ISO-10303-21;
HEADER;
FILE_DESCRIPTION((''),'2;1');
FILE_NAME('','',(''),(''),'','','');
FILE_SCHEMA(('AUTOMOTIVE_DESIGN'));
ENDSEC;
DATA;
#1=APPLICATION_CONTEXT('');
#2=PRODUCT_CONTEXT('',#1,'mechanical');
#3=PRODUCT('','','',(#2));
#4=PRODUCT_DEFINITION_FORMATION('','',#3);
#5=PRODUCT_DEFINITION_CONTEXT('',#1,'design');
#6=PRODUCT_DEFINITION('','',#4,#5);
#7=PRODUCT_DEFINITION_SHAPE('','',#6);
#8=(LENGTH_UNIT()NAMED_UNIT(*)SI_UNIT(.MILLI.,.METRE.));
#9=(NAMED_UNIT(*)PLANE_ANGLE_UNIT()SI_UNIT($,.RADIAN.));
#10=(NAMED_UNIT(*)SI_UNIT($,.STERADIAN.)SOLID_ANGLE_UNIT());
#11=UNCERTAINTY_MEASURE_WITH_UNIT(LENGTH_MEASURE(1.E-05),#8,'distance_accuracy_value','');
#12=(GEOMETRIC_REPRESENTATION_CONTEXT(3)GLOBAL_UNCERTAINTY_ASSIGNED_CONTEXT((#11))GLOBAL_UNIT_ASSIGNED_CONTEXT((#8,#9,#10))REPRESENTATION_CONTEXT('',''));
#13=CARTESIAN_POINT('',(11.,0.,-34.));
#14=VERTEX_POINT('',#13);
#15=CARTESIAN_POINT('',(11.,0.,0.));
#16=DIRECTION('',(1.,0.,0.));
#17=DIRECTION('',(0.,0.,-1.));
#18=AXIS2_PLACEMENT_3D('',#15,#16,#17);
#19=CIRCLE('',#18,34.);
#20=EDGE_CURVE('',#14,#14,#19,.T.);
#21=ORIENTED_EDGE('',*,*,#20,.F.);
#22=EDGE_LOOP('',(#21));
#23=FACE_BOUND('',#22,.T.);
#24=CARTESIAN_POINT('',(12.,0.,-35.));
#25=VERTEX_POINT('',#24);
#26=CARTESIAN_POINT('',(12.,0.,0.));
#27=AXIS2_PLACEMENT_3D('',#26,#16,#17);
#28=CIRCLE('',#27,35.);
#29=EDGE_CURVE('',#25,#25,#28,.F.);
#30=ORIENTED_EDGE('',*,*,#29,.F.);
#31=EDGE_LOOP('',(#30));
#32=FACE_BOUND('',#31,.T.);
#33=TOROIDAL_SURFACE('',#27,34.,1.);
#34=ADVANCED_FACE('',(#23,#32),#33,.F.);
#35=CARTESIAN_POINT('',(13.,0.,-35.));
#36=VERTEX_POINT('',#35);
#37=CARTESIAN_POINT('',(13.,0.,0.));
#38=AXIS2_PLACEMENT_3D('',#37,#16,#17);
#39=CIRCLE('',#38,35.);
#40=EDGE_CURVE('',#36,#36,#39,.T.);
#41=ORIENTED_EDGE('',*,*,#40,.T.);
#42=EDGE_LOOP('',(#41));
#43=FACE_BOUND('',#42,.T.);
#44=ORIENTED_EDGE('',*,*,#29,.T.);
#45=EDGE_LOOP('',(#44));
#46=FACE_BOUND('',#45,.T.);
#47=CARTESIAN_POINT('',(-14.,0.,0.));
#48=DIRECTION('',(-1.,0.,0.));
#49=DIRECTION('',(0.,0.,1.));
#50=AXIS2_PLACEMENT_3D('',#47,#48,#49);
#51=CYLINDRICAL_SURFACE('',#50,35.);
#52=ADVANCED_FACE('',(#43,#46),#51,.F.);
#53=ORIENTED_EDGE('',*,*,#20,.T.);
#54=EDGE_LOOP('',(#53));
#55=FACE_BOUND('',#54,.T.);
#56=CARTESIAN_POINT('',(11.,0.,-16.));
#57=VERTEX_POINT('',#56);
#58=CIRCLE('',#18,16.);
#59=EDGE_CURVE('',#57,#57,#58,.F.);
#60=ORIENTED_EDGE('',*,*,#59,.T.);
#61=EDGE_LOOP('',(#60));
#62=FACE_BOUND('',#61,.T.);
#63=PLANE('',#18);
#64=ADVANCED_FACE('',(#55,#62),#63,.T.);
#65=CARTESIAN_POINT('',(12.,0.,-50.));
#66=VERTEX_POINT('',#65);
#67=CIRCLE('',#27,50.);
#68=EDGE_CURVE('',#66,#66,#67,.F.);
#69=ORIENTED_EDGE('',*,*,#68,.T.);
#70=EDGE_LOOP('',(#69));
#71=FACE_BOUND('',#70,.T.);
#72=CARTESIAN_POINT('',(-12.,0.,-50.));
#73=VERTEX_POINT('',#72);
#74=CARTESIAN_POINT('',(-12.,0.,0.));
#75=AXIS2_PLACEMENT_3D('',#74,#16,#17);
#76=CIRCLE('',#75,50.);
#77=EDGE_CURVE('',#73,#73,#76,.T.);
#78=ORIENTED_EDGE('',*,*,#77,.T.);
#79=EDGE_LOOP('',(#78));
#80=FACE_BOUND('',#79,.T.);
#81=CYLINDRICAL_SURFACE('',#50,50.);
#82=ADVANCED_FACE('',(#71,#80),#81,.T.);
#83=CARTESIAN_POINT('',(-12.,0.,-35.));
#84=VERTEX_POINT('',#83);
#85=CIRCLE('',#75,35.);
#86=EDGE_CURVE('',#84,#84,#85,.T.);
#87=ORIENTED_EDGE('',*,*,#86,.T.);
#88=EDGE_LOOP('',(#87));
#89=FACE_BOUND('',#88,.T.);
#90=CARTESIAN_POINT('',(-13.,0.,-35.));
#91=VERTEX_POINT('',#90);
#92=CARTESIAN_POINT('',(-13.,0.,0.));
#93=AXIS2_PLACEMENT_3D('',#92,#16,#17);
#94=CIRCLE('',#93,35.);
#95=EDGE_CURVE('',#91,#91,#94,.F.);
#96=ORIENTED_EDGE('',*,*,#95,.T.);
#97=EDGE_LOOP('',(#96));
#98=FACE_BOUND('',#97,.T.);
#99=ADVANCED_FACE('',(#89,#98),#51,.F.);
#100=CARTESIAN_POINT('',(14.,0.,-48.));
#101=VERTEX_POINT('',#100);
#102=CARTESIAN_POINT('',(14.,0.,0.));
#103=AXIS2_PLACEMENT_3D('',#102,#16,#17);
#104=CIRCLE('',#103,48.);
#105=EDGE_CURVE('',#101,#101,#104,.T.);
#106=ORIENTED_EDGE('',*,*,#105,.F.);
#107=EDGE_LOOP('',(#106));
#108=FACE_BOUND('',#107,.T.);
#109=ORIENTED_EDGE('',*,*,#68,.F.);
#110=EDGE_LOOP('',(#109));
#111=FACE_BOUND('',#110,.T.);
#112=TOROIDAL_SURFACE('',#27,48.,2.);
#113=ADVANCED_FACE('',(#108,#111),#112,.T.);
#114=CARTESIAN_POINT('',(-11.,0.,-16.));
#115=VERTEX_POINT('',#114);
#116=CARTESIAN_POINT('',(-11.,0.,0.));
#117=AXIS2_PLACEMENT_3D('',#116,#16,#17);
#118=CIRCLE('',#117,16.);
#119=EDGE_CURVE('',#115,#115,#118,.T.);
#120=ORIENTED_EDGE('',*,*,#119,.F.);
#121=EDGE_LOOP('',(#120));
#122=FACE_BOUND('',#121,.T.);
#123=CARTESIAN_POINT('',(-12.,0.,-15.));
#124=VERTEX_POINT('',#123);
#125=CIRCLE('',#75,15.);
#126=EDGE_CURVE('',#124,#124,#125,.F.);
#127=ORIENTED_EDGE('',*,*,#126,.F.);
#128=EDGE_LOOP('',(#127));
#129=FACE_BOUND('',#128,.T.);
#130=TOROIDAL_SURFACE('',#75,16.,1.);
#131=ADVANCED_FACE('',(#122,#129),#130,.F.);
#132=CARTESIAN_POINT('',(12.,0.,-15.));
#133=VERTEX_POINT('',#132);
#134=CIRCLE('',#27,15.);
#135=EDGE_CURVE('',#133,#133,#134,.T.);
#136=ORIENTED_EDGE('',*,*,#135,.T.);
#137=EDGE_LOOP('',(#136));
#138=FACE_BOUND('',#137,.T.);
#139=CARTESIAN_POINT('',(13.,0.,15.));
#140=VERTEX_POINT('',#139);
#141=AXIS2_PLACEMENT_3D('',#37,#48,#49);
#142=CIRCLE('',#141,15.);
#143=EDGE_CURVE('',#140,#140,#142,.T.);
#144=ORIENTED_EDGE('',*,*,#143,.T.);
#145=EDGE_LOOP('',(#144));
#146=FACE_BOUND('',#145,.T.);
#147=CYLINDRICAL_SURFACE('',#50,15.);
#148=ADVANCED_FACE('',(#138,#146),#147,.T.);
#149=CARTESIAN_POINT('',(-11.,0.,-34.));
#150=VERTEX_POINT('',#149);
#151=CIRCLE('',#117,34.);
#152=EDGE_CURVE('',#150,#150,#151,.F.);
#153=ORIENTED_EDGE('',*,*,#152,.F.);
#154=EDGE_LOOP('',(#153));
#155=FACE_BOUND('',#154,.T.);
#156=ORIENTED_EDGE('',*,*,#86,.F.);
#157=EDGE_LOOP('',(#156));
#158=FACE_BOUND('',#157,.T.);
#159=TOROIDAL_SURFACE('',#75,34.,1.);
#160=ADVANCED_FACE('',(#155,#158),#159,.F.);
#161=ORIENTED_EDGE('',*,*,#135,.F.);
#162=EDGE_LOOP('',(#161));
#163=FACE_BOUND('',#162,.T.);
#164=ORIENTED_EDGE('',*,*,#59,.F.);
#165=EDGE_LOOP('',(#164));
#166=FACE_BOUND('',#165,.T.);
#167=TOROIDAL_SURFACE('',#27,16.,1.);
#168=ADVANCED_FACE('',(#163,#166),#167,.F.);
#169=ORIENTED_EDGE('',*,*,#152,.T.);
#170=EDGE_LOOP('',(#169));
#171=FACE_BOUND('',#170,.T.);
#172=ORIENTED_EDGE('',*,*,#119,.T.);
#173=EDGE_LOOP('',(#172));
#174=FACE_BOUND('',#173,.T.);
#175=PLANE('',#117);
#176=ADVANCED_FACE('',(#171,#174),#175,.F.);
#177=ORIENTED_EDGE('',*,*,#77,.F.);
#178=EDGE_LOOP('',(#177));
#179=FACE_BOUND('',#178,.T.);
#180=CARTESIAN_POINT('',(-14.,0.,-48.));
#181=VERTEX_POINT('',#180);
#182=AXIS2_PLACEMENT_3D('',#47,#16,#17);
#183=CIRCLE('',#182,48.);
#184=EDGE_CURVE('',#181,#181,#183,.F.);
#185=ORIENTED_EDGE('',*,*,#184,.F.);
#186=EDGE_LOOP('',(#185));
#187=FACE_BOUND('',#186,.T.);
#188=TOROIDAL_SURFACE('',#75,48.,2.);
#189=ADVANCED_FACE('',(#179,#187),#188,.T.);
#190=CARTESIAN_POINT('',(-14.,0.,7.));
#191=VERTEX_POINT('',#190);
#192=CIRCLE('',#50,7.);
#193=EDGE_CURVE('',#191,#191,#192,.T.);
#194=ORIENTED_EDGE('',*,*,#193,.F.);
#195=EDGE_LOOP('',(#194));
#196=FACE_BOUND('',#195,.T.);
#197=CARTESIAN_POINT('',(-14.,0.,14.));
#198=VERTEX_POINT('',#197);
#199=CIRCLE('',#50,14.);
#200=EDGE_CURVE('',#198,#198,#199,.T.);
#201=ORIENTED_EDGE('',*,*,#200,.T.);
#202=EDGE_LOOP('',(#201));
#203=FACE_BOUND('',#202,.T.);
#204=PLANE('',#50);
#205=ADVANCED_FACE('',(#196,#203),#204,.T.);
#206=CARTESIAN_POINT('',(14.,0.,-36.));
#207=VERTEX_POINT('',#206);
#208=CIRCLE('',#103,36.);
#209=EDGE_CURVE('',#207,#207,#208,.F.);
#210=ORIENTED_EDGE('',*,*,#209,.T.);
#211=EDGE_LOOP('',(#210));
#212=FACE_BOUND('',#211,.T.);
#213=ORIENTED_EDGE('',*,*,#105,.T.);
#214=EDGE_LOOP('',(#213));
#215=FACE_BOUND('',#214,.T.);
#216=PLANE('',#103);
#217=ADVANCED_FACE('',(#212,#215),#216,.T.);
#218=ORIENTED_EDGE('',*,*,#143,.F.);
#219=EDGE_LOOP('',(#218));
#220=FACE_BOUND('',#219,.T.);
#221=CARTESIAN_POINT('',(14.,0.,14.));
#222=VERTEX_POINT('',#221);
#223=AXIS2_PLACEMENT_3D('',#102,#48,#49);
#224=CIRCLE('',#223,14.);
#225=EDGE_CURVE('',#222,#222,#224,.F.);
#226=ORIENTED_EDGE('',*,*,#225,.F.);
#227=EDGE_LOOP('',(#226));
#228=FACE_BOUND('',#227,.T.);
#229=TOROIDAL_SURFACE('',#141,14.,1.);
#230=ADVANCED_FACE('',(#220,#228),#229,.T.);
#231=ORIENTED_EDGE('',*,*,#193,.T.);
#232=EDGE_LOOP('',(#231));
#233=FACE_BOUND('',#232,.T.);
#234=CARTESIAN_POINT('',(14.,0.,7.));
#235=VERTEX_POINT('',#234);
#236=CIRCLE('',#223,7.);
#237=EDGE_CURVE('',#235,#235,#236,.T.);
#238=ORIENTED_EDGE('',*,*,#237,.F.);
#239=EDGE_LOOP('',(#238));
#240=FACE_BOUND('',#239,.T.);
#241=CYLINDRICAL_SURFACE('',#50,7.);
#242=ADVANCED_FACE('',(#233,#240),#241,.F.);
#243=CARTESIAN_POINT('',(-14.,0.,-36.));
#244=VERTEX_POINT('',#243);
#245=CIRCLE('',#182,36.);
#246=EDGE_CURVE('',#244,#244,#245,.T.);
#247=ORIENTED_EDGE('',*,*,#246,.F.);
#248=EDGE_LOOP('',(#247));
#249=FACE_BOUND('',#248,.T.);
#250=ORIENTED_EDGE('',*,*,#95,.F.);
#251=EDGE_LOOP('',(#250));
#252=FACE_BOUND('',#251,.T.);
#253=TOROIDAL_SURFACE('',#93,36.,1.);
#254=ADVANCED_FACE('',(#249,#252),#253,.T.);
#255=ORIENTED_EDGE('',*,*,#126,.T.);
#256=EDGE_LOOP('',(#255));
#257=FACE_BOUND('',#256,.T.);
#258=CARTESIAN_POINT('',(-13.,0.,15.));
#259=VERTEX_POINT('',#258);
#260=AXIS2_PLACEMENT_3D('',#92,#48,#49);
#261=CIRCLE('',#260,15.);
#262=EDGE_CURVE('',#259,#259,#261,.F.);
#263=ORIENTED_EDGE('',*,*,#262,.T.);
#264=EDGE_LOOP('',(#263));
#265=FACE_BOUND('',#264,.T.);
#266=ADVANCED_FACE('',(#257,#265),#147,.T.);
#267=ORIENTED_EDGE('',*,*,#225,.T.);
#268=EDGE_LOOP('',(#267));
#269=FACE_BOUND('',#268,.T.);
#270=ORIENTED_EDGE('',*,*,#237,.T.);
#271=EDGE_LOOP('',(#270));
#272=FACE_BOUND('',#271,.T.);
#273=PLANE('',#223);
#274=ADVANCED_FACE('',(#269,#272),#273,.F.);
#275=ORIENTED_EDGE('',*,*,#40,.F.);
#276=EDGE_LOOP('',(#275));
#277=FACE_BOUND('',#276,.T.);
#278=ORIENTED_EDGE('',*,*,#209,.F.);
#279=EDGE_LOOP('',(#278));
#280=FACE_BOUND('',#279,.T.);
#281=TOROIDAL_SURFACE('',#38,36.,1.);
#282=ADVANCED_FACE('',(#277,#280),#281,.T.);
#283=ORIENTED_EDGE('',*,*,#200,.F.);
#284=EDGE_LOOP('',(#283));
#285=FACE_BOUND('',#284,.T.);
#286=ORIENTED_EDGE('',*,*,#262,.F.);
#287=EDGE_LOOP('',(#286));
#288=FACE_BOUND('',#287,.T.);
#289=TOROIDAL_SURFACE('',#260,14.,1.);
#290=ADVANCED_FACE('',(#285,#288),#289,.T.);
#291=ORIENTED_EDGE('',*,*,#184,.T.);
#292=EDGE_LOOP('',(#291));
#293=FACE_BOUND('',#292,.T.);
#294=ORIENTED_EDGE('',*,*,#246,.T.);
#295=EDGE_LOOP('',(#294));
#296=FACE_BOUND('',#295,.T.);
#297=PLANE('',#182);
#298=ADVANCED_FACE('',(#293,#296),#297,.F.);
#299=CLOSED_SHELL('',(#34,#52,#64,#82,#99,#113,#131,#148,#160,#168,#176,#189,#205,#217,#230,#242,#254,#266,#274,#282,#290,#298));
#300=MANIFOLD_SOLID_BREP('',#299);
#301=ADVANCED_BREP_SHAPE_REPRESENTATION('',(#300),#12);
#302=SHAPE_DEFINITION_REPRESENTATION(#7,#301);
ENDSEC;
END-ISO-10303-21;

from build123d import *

# Parameters (mm, degrees)
SKETCH1_W       = 28
SKETCH1_H       = 8
SKETCH1_W_2     = 22
SKETCH1_H_2     = 20
SKETCH1_H_3     = 15
OUTER_FILLETS_R = 2
INNER_FILLETS_R = 1


with BuildPart() as part:
    # Sketch1 → Main Wheel Body (revolve)
    with BuildSketch(Plane.XY, mode=Mode.PRIVATE) as main_wheel_body_sk:
        with Locations((0, 11)):
            Rectangle(SKETCH1_W, SKETCH1_H)
        with Locations((0, 25)):
            Rectangle(SKETCH1_W_2, SKETCH1_H_2)
        with Locations((0, 42.5)):
            Rectangle(SKETCH1_W, SKETCH1_H_3)
    revolve(main_wheel_body_sk.sketch.rotate(Axis((-14, 0, 0), (1, 0, 0)), 90), axis=Axis((-14, 0, 0), (1, 0, 0)))

    # Outer Fillets
    outer_fillets_edges = [part.edges().sort_by_distance(p)[0] for p in [
        (-14, 0, -50),
        (14, 0, -50),
    ]]
    fillet(outer_fillets_edges, radius=OUTER_FILLETS_R)

    # Inner Fillets
    inner_fillets_edges = [part.edges().sort_by_distance(p)[0] for p in [
        (-11, 0, -15),
        (-11, 0, -35),
        (-14, 0, -35),
        (14, 0, -35),
        (11, 0, -35),
        (11, 0, -15),
        (14, 0, -15),
        (-14, 0, -15),
    ]]
    fillet(inner_fillets_edges, radius=INNER_FILLETS_R)


solid = part.part
